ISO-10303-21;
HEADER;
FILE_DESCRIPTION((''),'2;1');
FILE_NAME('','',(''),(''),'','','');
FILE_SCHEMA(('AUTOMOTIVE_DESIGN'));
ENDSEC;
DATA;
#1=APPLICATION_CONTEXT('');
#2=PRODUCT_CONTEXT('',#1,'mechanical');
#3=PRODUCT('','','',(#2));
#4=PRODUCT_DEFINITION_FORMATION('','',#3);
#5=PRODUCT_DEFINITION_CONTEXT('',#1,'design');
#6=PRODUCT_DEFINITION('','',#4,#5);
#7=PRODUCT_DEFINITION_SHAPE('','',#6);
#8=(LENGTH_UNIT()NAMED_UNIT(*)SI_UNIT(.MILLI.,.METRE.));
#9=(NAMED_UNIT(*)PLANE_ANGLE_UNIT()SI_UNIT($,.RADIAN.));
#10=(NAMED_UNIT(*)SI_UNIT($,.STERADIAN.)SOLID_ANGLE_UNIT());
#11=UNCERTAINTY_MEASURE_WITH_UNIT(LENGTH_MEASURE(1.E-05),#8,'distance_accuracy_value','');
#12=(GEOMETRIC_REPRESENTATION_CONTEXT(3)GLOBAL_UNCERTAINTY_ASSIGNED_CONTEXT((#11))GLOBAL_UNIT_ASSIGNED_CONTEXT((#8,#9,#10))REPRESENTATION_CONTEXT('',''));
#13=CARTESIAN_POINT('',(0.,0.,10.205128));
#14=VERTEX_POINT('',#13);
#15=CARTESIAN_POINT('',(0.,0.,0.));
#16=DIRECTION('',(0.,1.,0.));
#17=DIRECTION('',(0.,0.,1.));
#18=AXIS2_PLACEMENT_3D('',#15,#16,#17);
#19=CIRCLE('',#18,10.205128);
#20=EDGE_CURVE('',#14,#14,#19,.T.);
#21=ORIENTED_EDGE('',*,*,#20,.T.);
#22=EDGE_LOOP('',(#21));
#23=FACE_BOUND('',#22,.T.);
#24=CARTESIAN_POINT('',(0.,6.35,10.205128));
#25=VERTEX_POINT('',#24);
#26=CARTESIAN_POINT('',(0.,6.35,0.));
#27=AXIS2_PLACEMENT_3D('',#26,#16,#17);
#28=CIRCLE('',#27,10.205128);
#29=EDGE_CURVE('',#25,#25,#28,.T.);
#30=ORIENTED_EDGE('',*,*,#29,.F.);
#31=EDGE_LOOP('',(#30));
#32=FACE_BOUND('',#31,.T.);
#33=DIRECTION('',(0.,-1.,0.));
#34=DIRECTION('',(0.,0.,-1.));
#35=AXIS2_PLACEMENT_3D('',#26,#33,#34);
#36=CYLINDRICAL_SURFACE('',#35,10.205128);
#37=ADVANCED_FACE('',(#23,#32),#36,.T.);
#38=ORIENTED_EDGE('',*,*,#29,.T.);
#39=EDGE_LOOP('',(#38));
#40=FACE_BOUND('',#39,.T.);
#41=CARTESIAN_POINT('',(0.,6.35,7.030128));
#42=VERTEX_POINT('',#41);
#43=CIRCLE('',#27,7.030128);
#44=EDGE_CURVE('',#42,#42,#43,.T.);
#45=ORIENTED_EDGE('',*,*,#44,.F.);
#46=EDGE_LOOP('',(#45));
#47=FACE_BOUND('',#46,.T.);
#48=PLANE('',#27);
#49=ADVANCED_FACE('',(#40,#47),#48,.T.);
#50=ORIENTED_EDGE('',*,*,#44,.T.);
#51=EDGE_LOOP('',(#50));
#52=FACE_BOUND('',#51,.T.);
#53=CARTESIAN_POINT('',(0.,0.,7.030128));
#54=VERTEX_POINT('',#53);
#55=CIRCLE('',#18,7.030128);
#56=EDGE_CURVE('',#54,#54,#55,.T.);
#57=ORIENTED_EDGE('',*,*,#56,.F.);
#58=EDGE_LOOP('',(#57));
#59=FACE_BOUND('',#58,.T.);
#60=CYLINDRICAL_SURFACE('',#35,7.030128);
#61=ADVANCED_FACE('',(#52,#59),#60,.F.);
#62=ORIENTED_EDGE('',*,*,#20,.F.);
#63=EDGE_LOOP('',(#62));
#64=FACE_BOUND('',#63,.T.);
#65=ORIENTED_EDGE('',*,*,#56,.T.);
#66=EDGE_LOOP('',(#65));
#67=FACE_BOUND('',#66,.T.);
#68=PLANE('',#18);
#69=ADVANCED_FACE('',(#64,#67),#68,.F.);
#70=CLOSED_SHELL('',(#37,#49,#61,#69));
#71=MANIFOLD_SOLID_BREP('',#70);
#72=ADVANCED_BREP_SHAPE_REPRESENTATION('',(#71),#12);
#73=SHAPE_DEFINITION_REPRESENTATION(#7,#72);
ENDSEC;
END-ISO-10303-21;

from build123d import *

# Parameters (mm, degrees)
AXLE_TENSION_BEARING_R   = 10.205128061
AXLE_TENSION_BEARING_R_2 = 7.030128061
BOSS_EXTRUDE1_DEPTH      = 6.35


with BuildPart() as part:
    # Axle Tension Bearing → Boss-Extrude1 (new body)
    with BuildSketch(Plane(origin=(0, 0, 0), x_dir=(1, 0, 0), z_dir=(0, 1, 0))):
        with Locations(Location((0, 0, 0), (0, 0, 270))):
            Circle(AXLE_TENSION_BEARING_R)
        with Locations(Location((0, 0, 0), (0, 0, 270))):
            Circle(AXLE_TENSION_BEARING_R_2, mode=Mode.SUBTRACT)
    extrude(amount=BOSS_EXTRUDE1_DEPTH)


solid = part.part
